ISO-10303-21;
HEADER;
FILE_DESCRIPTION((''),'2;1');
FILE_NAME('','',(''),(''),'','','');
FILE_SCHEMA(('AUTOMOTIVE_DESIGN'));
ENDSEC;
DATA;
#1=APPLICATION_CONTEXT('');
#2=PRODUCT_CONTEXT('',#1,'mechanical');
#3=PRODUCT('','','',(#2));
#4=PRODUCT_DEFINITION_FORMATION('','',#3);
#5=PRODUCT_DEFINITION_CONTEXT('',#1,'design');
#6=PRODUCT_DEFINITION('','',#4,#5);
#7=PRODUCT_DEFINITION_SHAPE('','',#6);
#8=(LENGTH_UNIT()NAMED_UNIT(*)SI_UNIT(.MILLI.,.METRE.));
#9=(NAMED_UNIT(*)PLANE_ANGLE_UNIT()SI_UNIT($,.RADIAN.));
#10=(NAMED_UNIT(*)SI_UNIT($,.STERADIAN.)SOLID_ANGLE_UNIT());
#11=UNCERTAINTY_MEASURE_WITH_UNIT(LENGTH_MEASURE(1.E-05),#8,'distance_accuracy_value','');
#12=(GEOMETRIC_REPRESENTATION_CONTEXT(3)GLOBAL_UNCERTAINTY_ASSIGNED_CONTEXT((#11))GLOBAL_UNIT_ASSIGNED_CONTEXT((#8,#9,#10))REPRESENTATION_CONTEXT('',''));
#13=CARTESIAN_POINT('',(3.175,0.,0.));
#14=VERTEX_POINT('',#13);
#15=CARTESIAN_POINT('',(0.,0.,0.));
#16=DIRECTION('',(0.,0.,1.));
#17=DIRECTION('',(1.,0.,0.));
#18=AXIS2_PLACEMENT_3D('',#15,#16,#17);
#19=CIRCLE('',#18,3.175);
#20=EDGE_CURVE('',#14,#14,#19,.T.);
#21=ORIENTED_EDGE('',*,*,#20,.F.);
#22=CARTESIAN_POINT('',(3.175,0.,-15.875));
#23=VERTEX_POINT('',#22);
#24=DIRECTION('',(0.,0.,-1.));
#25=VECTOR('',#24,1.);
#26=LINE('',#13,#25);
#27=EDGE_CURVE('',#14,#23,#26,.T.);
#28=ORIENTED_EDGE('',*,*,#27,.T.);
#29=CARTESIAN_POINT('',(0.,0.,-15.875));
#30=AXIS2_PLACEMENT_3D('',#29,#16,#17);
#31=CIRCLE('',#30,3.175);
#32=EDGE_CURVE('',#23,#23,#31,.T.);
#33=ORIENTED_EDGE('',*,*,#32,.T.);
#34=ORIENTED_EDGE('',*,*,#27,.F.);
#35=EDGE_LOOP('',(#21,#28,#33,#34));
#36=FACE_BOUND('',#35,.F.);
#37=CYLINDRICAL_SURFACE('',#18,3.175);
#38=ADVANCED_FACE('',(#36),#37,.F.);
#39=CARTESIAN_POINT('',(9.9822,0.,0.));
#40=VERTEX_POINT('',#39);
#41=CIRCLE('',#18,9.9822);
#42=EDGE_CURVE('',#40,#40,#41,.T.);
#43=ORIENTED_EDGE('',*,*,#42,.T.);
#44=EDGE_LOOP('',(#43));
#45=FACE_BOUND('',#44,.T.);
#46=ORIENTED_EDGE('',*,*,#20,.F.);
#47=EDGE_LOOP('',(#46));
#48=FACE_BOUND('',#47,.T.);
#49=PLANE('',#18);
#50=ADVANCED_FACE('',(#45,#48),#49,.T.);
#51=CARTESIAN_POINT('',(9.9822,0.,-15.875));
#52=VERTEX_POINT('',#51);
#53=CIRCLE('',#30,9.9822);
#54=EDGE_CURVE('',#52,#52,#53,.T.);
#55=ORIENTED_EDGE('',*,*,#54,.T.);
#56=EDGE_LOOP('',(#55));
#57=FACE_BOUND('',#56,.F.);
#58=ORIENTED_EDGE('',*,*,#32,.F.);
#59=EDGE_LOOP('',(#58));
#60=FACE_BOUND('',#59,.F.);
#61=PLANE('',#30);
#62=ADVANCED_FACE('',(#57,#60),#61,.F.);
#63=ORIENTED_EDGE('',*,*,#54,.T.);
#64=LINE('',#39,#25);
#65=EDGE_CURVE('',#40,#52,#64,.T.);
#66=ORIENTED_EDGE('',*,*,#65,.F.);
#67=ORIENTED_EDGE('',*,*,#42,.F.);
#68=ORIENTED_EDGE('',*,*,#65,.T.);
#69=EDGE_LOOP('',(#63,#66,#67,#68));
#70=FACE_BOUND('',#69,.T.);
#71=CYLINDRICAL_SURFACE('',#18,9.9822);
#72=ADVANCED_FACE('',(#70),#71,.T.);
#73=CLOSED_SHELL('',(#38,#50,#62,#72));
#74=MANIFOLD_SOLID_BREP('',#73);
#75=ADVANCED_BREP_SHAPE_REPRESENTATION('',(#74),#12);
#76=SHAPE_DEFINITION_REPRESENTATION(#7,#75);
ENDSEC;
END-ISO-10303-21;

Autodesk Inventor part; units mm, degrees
ref_plane "YZ Plane" through (0, 0, 0) normal (1, 0, 0) x (0, 1, 0)
ref_plane "XZ Plane" through (0, 0, 0) normal (0, 1, 0) x (-1, 0, 0)
ref_plane "XY Plane" through (0, 0, 0) normal (0, 0, 1) x (1, 0, 0)
sketch "Sketch1" plane through (0, 0, 0) normal (0, 0, 1) x (1, 0, 0)
  circle A0 centre (0, 0) radius 11 construction
  circle A1 centre (0, 0) radius 9.9822
  dimension "d5" = 22
  dimension "d6" = 19.9644
extrude "Extrusion1" add sketch "Sketch1" against normal blind 15.875
sketch "Sketch2" plane through (0, 0, 0) normal (0, 0, 1) x (1, 0, 0)
  circle A0 centre (0, 0) radius 11 projected
  circle A1 centre (0, 0) radius 3.175
  dimension "d2" = 6.35
extrude "Extrusion2" cut sketch "Sketch2" against normal through all contours A1
properties part number "rotatingSupportShaft" material "Wood (Birch)"
